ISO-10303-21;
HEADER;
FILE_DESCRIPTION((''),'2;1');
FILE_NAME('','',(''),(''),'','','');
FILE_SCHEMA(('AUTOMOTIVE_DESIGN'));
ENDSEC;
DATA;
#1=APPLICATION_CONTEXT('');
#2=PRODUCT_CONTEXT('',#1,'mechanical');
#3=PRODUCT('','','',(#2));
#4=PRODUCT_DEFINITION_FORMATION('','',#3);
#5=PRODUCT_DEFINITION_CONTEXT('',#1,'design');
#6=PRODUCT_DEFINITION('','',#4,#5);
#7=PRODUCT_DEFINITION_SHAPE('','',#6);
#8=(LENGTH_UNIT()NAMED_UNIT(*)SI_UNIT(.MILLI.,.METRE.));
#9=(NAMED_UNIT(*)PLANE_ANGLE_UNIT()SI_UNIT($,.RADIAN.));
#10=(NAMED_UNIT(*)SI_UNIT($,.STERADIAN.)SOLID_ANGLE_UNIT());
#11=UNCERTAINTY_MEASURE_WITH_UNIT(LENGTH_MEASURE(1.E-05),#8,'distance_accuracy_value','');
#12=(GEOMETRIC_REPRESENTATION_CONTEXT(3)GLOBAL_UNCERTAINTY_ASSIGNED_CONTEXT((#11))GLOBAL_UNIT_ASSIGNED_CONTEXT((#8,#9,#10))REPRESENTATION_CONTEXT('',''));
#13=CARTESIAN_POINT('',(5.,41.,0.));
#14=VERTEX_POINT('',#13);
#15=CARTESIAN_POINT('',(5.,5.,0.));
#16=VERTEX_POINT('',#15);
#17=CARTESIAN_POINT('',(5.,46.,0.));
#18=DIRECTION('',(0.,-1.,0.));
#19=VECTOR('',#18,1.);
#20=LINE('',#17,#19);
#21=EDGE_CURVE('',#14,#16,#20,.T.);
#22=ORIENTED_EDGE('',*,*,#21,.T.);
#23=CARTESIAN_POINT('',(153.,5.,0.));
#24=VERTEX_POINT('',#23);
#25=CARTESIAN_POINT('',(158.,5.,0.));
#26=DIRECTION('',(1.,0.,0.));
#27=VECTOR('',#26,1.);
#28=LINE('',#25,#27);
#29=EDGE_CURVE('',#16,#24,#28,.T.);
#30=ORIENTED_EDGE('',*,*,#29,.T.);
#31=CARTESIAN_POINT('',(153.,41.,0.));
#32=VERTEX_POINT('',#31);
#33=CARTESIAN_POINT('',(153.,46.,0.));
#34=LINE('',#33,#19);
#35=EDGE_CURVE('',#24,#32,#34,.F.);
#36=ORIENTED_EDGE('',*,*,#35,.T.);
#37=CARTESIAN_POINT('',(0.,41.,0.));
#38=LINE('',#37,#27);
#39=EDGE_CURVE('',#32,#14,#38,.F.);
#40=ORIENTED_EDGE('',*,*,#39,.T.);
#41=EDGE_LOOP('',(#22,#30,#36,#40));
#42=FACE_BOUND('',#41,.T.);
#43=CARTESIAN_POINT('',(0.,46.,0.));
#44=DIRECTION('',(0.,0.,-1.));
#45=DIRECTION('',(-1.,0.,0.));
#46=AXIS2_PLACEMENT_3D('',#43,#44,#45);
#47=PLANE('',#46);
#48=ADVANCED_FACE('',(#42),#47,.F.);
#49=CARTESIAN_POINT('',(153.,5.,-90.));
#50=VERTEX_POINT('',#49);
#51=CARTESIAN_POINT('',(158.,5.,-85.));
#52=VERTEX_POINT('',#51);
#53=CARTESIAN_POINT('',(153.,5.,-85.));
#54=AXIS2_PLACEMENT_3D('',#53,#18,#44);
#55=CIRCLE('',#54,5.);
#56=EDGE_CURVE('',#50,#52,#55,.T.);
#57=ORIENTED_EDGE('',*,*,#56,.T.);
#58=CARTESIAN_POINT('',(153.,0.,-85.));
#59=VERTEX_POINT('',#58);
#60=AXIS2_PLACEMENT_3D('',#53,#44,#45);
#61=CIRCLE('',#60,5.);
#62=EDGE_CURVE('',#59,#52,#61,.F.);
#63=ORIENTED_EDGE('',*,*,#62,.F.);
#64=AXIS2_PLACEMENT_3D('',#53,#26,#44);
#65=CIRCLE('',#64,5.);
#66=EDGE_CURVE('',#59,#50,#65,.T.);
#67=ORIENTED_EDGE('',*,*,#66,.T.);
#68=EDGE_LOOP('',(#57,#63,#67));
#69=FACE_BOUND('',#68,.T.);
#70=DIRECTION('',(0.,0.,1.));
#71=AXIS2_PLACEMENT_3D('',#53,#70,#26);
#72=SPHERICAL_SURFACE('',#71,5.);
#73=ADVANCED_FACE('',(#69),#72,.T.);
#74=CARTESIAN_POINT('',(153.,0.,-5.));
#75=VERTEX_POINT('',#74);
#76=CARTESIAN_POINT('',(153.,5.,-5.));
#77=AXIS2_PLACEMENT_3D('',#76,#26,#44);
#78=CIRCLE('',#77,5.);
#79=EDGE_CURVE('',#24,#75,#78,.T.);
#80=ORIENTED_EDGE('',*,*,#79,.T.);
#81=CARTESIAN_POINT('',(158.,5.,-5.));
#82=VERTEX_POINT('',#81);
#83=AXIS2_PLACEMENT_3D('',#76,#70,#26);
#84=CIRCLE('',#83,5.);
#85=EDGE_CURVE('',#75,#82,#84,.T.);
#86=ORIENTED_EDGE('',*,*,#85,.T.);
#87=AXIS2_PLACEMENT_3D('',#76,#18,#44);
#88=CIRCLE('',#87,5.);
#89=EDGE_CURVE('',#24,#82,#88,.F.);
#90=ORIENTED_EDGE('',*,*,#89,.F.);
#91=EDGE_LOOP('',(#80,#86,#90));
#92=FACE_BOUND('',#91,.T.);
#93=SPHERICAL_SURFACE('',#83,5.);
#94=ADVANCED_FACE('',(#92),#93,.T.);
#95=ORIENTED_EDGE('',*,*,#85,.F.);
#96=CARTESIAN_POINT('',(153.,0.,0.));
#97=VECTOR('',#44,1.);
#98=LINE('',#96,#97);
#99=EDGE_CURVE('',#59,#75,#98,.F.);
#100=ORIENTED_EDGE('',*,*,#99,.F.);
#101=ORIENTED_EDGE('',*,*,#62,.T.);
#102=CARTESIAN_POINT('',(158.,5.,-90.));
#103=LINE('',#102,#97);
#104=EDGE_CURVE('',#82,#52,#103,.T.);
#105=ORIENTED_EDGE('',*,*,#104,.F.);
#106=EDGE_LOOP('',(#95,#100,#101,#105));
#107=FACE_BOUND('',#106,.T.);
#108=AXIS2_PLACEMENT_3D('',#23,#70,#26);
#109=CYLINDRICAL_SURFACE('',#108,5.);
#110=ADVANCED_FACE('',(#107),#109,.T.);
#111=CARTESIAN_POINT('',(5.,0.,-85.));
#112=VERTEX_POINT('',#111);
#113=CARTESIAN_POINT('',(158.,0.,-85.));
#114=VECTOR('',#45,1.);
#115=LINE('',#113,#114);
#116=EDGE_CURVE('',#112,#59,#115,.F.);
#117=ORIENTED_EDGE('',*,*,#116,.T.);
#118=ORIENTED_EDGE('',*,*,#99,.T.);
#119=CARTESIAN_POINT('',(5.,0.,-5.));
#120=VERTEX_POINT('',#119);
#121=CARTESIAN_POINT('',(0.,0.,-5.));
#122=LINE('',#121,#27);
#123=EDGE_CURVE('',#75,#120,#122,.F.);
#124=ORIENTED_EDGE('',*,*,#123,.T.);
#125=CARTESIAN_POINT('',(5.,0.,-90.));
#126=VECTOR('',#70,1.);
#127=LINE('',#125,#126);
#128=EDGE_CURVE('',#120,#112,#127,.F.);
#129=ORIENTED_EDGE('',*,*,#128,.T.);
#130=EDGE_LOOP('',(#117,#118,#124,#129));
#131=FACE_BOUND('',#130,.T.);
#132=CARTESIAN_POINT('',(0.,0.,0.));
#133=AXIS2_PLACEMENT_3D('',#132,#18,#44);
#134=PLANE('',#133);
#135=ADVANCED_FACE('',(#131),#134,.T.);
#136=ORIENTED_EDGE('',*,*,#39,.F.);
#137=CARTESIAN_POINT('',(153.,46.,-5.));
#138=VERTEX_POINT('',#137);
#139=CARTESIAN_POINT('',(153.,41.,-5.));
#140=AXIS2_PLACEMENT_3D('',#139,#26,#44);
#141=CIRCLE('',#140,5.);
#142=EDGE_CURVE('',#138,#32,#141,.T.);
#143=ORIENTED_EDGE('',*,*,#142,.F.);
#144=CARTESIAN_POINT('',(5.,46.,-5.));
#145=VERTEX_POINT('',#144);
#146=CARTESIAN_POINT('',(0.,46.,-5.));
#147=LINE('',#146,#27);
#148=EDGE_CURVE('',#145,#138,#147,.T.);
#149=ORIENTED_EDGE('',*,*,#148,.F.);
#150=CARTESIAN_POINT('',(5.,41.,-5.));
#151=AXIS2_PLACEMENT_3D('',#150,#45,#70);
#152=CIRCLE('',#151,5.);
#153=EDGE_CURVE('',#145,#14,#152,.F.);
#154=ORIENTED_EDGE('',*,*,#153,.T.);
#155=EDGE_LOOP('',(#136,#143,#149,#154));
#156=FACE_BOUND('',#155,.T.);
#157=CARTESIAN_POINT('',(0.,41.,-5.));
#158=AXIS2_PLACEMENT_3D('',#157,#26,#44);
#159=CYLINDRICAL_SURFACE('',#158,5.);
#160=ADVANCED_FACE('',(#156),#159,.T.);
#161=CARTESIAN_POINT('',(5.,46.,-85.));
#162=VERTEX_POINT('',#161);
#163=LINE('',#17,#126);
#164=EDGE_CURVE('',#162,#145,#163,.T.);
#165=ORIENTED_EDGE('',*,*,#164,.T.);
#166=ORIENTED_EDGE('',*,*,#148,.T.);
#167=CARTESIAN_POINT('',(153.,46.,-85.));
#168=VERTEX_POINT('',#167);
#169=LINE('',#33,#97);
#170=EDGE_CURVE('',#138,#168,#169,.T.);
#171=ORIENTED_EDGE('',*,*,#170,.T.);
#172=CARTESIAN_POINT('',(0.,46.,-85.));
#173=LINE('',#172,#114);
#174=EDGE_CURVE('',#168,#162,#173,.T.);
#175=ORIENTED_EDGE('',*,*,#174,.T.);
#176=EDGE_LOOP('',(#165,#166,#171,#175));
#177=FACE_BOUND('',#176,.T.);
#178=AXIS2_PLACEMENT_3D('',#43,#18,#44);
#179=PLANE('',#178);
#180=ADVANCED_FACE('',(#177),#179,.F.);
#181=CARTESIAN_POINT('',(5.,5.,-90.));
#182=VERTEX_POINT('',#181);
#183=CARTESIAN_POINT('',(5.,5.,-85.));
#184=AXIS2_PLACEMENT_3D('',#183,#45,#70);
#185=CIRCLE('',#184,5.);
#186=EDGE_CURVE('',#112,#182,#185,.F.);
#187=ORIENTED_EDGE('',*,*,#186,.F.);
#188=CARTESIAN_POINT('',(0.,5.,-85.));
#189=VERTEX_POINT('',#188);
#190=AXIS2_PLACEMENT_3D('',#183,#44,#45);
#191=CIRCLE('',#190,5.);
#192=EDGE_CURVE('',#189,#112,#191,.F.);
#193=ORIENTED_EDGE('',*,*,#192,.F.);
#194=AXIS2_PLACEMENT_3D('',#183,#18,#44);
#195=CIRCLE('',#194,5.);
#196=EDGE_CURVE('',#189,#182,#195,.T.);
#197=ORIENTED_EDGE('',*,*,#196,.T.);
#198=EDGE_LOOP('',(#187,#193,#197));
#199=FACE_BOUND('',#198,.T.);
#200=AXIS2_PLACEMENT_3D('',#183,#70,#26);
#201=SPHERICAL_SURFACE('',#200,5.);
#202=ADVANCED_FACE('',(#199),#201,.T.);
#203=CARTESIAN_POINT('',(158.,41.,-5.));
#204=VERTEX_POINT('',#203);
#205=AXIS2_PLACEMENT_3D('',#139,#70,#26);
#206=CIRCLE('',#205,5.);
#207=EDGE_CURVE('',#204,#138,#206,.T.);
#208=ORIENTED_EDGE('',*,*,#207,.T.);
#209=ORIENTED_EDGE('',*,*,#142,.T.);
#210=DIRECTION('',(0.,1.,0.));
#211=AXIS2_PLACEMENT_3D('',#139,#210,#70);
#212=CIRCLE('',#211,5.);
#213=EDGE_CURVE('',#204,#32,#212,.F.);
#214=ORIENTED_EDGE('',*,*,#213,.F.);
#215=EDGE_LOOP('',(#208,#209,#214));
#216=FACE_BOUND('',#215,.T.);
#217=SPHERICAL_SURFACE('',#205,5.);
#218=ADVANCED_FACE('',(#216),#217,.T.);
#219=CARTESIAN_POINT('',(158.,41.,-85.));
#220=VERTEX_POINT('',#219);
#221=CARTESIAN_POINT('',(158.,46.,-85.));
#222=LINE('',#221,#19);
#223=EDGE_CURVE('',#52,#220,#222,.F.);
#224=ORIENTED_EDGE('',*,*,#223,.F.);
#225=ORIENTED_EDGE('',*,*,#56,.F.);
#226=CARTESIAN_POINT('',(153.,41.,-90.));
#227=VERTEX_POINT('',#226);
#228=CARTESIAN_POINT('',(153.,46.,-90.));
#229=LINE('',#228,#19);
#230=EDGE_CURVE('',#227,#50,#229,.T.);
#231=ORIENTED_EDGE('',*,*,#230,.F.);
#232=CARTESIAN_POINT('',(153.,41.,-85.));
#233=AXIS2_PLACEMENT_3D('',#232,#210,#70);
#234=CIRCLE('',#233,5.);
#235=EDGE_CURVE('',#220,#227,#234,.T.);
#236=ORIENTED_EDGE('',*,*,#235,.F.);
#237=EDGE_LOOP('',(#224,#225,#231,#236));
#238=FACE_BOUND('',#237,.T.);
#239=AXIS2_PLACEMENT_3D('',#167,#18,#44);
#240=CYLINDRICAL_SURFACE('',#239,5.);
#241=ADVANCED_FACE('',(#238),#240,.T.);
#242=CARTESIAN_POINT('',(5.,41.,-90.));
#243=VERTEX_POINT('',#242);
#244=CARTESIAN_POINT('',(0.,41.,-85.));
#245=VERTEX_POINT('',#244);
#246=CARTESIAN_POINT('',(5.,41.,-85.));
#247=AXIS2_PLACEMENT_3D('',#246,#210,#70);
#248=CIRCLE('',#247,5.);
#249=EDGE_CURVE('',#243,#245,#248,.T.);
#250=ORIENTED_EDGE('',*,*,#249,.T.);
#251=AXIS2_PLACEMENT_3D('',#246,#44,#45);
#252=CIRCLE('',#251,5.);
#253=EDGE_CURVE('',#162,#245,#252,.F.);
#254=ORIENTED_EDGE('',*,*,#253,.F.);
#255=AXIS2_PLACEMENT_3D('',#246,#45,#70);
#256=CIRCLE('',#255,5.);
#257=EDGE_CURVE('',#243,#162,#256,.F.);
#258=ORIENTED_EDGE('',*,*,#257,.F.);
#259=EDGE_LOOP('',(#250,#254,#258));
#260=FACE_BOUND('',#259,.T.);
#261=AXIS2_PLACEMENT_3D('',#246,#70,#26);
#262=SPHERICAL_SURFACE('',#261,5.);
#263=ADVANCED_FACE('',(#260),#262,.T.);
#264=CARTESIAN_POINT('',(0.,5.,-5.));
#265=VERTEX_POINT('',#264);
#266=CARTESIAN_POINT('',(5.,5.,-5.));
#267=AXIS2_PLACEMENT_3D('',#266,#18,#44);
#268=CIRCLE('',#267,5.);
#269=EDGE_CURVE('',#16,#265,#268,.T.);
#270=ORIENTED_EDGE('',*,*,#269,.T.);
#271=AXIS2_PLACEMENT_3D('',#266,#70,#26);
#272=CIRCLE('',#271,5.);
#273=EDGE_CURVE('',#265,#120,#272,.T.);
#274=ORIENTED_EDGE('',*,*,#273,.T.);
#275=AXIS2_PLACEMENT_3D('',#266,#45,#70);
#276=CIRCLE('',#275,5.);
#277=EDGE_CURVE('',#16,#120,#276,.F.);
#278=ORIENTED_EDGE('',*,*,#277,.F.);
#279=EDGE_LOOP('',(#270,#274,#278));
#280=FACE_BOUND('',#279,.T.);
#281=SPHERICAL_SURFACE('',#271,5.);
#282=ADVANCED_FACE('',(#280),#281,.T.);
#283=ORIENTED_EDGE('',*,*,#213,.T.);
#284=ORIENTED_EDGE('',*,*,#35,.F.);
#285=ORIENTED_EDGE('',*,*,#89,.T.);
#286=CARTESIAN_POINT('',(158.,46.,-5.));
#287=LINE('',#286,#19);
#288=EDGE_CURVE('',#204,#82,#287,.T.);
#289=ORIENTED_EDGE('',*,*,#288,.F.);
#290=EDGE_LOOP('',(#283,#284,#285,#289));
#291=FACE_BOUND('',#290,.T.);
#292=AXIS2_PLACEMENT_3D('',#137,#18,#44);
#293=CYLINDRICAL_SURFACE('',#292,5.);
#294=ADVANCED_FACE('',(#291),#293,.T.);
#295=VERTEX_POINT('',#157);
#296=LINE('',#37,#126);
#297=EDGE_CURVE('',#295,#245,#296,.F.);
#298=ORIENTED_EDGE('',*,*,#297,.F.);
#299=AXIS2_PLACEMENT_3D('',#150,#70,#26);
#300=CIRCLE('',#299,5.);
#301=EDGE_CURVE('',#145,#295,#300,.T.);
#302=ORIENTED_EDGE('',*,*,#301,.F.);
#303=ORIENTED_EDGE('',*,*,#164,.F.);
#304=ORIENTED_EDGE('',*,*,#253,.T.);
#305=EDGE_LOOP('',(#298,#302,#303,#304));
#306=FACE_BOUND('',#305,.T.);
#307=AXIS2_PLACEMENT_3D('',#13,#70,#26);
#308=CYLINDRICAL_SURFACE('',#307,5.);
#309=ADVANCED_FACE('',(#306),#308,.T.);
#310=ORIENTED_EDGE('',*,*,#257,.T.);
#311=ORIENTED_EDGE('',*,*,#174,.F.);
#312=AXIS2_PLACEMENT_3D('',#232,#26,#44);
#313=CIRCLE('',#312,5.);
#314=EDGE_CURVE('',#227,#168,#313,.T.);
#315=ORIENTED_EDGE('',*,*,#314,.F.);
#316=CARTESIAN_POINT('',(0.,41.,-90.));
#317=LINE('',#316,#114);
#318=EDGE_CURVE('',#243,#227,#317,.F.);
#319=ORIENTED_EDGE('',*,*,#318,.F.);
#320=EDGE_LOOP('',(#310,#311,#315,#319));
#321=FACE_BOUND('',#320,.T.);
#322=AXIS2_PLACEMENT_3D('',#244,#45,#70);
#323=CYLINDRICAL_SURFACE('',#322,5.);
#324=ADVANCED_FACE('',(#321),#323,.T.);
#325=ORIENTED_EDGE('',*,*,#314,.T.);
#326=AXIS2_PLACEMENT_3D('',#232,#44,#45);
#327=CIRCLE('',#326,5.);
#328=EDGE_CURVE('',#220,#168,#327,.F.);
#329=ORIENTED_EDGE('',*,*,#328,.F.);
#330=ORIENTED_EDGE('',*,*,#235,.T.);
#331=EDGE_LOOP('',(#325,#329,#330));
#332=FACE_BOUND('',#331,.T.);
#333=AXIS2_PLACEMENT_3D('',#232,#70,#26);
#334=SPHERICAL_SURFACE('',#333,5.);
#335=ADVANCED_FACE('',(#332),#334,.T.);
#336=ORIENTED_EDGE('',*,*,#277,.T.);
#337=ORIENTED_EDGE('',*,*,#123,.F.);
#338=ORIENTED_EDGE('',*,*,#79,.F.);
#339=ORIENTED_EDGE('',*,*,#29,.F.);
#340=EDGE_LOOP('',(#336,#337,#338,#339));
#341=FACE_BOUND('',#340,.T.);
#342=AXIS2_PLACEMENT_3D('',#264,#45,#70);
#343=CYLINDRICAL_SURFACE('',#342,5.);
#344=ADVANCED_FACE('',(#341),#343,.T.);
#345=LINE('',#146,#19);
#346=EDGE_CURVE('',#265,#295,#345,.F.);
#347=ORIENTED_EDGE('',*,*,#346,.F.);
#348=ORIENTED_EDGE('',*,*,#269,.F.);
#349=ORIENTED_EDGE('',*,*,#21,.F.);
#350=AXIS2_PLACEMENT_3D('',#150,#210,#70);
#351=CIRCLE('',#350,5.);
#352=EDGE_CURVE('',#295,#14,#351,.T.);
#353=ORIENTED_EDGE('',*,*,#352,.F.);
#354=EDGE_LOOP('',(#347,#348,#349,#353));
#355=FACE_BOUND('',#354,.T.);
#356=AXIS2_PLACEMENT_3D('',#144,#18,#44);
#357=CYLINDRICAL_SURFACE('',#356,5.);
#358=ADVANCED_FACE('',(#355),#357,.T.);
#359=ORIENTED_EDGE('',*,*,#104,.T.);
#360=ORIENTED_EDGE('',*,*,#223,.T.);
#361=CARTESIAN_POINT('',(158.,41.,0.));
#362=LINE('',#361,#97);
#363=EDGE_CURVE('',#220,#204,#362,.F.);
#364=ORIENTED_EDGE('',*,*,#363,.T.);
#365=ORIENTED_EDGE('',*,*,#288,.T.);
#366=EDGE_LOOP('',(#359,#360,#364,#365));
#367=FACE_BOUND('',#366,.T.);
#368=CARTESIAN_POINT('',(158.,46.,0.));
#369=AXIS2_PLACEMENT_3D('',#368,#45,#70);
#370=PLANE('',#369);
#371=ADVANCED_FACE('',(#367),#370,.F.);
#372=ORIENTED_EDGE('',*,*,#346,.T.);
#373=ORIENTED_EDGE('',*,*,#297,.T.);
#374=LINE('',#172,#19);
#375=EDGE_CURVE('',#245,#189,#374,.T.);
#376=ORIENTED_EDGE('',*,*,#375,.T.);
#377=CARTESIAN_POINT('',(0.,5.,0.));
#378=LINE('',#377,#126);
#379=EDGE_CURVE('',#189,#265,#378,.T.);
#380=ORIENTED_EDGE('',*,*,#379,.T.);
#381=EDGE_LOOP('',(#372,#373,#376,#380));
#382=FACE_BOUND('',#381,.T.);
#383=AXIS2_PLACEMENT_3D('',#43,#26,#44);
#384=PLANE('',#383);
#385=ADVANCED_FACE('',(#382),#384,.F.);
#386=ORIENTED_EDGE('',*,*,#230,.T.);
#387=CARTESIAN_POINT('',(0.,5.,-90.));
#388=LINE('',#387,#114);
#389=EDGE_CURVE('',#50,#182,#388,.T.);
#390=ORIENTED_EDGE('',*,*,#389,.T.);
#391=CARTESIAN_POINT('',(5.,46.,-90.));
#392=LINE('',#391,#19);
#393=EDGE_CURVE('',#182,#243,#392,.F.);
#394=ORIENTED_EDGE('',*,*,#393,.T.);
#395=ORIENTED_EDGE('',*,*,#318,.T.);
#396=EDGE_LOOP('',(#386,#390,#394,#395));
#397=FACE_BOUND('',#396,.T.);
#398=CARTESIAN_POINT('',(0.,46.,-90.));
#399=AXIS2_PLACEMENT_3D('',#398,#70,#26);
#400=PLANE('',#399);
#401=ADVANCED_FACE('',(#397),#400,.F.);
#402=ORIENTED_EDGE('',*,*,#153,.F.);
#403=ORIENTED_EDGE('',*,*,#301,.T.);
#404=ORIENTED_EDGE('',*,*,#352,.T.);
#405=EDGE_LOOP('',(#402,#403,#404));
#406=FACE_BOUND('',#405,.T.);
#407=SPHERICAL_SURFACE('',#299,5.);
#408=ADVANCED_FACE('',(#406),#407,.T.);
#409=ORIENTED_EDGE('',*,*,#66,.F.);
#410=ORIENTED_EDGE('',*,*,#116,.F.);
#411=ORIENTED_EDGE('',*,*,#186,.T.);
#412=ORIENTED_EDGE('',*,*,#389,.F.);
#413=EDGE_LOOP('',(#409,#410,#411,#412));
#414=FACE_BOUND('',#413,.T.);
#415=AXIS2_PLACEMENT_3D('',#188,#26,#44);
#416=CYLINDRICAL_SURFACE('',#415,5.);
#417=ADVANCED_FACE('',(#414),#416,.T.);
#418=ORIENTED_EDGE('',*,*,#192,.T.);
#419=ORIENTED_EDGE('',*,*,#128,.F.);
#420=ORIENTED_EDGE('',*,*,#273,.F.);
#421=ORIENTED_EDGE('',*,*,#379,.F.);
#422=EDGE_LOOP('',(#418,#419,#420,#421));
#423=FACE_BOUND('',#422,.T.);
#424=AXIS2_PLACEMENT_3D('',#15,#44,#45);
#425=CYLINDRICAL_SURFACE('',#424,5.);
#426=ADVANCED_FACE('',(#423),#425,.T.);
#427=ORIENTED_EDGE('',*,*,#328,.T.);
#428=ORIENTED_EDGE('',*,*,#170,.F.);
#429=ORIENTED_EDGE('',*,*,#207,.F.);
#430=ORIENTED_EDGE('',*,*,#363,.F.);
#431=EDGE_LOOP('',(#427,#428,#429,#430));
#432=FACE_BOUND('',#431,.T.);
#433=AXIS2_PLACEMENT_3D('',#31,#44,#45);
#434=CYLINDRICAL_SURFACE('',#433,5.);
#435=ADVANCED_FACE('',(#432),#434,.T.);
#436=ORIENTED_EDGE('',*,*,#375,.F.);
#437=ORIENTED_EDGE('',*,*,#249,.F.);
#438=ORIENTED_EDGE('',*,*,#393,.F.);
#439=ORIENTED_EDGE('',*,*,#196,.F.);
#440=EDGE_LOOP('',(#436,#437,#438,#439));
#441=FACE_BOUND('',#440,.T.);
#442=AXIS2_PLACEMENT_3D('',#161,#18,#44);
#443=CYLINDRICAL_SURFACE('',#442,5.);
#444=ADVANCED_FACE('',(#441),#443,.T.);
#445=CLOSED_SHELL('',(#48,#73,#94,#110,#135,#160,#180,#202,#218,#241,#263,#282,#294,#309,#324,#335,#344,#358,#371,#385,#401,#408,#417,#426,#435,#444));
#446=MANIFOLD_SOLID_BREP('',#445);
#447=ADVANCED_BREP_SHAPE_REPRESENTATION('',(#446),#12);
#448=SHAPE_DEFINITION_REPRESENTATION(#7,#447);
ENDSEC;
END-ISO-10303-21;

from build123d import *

# Parameters (mm, degrees)
SKETCH1_W           = 158
SKETCH1_H           = 90
BOSS_EXTRUDE1_DEPTH = 46
FILLET2_R           = 5


with BuildPart() as part:
    # Sketch1 → Boss-Extrude1 (new body)
    with BuildSketch(Plane(origin=(0, 0, 0), x_dir=(1, 0, 0), z_dir=(0, 1, 0))):
        with Locations((79, 45)):
            Rectangle(SKETCH1_W, SKETCH1_H)
    extrude(amount=BOSS_EXTRUDE1_DEPTH)

    # Fillet2
    fillet2_edges = [part.edges().sort_by_distance(p)[0] for p in [
        (158, 46, -45),
        (79, 46, -90),
        (0, 46, -45),
        (79, 0, -90),
        (158, 0, -45),
        (79, 0, 0),
        (0, 0, -45),
        (79, 46, 0),
        (0, 23, -90),
        (158, 23, -90),
        (158, 23, 0),
        (0, 23, 0),
    ]]
    fillet(fillet2_edges, radius=FILLET2_R)


solid = part.part
